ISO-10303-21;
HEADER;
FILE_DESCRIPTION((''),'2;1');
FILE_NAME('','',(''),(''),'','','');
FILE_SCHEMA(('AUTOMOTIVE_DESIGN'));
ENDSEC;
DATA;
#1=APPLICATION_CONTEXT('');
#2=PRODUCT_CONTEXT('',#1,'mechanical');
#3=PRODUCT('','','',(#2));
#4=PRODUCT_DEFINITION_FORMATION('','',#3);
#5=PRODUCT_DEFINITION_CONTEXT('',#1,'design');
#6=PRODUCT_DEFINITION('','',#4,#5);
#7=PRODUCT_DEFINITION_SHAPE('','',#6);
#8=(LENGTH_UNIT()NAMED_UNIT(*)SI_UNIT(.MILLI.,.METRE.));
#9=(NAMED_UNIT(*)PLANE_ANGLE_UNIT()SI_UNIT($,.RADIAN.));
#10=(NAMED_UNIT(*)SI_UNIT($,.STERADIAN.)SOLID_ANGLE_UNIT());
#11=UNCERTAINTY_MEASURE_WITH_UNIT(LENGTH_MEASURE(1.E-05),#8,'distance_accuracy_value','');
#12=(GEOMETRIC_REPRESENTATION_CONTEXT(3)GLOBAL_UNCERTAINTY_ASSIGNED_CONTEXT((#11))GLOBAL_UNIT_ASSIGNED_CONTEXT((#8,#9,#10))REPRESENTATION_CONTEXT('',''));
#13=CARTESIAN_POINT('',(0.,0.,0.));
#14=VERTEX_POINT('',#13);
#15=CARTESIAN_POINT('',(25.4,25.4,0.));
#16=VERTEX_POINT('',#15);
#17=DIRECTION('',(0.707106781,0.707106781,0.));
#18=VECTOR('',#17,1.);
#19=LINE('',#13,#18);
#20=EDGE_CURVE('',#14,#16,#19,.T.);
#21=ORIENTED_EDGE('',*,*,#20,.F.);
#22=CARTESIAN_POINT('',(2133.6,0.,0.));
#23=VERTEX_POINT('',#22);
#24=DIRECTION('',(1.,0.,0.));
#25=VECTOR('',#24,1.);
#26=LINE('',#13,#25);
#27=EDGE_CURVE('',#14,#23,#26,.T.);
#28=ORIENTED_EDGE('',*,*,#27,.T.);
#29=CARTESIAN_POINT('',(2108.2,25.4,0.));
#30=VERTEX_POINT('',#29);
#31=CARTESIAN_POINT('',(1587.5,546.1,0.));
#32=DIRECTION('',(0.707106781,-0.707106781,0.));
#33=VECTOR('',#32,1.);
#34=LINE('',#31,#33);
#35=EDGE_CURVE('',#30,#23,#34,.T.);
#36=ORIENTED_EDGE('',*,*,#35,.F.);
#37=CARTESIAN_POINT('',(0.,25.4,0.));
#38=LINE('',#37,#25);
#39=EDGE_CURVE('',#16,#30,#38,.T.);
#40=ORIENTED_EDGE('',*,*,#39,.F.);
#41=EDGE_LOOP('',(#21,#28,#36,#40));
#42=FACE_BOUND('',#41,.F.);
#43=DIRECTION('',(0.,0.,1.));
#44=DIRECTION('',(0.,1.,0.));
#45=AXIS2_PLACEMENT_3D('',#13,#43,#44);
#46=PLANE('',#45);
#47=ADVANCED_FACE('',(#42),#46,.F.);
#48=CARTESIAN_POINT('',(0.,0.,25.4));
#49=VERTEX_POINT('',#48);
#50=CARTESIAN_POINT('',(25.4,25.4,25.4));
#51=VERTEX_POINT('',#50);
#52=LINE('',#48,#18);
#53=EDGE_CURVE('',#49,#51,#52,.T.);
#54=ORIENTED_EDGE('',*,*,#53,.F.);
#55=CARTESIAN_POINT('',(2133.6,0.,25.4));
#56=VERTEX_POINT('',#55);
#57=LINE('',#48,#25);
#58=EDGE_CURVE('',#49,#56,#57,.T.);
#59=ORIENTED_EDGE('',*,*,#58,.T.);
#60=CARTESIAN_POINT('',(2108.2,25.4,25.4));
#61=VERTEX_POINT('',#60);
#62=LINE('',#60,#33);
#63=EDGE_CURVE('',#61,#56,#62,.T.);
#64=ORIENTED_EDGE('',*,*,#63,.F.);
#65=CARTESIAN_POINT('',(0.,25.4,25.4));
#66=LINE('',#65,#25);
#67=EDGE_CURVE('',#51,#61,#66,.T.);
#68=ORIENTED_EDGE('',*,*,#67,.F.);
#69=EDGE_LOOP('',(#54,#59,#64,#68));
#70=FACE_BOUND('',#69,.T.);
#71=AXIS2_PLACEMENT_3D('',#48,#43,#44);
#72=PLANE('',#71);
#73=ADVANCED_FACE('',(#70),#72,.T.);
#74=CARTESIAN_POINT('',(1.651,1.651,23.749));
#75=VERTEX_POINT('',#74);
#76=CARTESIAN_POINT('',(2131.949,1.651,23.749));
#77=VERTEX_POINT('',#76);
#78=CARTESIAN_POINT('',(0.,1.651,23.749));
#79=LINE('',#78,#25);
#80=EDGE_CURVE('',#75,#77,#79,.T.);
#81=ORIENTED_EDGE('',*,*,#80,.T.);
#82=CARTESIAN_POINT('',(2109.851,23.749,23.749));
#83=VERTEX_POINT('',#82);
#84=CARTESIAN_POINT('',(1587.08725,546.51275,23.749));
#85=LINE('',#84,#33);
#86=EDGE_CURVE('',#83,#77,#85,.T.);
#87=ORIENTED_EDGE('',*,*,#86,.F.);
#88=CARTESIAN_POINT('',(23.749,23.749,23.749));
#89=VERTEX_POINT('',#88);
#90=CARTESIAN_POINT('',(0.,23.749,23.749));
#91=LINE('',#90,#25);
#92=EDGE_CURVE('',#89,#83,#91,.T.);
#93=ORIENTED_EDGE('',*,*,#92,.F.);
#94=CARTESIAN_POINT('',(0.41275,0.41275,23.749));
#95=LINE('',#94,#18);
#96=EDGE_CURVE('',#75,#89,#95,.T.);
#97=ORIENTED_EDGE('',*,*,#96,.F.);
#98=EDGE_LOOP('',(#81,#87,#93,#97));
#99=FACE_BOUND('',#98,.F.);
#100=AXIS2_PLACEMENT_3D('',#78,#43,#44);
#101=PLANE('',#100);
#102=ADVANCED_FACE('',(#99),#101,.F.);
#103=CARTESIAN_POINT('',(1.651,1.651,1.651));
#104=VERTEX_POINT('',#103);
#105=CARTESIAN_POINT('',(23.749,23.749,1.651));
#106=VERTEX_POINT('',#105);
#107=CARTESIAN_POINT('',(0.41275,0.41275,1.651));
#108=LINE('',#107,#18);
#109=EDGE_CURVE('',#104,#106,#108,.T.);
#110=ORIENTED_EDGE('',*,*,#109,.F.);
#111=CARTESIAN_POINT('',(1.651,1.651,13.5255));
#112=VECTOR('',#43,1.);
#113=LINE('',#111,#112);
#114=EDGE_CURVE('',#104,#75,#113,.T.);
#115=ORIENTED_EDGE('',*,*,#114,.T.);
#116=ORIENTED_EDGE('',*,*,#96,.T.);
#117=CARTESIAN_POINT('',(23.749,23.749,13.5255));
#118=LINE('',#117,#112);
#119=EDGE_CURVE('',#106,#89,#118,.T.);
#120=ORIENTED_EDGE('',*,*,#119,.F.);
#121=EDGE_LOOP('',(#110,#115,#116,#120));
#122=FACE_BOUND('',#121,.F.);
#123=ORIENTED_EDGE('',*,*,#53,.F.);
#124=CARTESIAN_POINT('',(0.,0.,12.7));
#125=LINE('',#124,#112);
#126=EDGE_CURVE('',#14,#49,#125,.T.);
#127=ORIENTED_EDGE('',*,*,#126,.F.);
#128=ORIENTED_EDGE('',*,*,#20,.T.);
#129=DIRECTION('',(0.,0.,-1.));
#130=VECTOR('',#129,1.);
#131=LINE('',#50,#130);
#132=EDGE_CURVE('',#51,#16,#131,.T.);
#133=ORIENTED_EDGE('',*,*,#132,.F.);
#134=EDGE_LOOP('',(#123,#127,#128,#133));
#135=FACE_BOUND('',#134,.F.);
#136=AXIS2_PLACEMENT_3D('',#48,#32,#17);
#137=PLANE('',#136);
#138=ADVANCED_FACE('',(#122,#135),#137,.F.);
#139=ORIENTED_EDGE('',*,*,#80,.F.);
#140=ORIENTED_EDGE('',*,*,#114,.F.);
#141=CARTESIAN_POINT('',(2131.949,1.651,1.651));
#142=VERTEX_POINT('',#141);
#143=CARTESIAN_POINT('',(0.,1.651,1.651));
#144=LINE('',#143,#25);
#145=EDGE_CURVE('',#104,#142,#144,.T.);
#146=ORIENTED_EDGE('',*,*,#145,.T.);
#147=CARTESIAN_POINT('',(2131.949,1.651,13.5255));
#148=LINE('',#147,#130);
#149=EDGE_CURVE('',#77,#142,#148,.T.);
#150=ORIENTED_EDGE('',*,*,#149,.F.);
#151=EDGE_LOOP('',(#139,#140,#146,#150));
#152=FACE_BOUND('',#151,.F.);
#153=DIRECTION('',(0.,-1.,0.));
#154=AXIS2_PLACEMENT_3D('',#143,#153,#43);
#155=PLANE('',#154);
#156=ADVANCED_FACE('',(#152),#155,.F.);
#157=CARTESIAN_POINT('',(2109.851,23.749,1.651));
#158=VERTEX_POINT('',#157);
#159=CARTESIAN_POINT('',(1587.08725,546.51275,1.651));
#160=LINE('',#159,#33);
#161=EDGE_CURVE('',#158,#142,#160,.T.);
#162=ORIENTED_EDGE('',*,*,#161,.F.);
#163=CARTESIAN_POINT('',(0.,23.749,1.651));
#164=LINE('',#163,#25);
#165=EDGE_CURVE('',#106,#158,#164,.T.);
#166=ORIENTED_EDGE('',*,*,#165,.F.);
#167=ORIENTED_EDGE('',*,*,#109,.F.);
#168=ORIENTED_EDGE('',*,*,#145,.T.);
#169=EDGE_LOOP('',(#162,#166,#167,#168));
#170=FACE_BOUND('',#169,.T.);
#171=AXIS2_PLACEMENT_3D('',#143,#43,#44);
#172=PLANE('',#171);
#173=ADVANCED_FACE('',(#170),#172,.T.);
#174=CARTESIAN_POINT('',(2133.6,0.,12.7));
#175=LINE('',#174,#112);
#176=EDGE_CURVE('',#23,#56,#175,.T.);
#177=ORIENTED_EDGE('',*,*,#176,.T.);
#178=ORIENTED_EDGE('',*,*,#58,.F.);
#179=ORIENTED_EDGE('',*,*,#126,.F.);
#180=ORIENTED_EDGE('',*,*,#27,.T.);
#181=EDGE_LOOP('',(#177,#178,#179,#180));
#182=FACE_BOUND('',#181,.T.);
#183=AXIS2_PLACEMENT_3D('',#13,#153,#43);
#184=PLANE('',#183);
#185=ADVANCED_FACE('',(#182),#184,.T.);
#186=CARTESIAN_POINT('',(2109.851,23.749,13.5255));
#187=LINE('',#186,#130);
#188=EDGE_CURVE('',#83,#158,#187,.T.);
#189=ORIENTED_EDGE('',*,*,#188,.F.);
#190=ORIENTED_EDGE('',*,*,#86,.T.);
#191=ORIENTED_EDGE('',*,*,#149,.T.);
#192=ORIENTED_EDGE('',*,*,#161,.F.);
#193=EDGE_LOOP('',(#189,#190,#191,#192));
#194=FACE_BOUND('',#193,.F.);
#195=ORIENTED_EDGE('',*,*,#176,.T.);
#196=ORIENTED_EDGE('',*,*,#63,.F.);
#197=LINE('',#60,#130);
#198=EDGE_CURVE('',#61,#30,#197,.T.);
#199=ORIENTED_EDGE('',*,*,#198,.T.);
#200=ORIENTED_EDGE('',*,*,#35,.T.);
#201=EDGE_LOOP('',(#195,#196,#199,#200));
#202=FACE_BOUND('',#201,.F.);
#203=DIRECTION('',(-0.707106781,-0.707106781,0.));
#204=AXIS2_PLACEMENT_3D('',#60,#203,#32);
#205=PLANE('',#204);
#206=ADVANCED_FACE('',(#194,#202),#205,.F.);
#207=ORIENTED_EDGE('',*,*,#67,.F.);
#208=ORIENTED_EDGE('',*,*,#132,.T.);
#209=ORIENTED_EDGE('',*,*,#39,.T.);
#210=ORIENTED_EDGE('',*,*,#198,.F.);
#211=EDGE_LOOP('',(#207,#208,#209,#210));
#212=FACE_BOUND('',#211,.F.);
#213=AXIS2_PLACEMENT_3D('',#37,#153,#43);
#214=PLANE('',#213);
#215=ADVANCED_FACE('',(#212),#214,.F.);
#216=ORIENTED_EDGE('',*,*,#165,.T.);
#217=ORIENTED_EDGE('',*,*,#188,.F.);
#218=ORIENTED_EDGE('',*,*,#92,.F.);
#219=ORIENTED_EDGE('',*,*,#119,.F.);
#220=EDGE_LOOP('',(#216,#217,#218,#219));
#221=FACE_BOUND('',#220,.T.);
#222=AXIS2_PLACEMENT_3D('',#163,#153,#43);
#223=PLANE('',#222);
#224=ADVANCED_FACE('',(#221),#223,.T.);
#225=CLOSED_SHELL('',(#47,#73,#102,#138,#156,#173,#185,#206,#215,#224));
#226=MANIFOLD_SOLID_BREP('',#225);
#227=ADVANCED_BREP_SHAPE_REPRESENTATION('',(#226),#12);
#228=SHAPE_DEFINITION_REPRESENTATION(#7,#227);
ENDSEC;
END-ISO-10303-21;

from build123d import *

# Parameters (mm, degrees)
F0_W     = 25.4
F0_H     = 25.4
F0_W_2   = 22.098
F0_H_2   = 22.098
F1_DEPTH = 2133.6
F3_DEPTH = 25.401
F5_DEPTH = 25.401


with BuildPart() as f1:
    # F0 (on Right) → F1 (new body)
    with BuildSketch(Plane.YZ):
        with Locations((12.7, 12.7)):
            Rectangle(F0_W, F0_H)
        with Locations((12.7, 12.7)):
            Rectangle(F0_W_2, F0_H_2, mode=Mode.SUBTRACT)
    extrude(amount=F1_DEPTH)

    # F2 (on face) → F3 (cut, through all)
    with BuildSketch(Plane.XY.offset(25.4)):
        Polygon((2108.2, 25.4), (2133.6, 0), (2133.6, 25.4), align=None)
    extrude(amount=-F3_DEPTH, mode=Mode.SUBTRACT)

    # F4 (on face) → F5 (cut, through all)
    with BuildSketch(Plane.XY.offset(25.4)):
        Polygon((0, 25.4), (0, 0), (25.4, 25.4), align=None)
    extrude(amount=-F5_DEPTH, mode=Mode.SUBTRACT)


solid = f1.part
